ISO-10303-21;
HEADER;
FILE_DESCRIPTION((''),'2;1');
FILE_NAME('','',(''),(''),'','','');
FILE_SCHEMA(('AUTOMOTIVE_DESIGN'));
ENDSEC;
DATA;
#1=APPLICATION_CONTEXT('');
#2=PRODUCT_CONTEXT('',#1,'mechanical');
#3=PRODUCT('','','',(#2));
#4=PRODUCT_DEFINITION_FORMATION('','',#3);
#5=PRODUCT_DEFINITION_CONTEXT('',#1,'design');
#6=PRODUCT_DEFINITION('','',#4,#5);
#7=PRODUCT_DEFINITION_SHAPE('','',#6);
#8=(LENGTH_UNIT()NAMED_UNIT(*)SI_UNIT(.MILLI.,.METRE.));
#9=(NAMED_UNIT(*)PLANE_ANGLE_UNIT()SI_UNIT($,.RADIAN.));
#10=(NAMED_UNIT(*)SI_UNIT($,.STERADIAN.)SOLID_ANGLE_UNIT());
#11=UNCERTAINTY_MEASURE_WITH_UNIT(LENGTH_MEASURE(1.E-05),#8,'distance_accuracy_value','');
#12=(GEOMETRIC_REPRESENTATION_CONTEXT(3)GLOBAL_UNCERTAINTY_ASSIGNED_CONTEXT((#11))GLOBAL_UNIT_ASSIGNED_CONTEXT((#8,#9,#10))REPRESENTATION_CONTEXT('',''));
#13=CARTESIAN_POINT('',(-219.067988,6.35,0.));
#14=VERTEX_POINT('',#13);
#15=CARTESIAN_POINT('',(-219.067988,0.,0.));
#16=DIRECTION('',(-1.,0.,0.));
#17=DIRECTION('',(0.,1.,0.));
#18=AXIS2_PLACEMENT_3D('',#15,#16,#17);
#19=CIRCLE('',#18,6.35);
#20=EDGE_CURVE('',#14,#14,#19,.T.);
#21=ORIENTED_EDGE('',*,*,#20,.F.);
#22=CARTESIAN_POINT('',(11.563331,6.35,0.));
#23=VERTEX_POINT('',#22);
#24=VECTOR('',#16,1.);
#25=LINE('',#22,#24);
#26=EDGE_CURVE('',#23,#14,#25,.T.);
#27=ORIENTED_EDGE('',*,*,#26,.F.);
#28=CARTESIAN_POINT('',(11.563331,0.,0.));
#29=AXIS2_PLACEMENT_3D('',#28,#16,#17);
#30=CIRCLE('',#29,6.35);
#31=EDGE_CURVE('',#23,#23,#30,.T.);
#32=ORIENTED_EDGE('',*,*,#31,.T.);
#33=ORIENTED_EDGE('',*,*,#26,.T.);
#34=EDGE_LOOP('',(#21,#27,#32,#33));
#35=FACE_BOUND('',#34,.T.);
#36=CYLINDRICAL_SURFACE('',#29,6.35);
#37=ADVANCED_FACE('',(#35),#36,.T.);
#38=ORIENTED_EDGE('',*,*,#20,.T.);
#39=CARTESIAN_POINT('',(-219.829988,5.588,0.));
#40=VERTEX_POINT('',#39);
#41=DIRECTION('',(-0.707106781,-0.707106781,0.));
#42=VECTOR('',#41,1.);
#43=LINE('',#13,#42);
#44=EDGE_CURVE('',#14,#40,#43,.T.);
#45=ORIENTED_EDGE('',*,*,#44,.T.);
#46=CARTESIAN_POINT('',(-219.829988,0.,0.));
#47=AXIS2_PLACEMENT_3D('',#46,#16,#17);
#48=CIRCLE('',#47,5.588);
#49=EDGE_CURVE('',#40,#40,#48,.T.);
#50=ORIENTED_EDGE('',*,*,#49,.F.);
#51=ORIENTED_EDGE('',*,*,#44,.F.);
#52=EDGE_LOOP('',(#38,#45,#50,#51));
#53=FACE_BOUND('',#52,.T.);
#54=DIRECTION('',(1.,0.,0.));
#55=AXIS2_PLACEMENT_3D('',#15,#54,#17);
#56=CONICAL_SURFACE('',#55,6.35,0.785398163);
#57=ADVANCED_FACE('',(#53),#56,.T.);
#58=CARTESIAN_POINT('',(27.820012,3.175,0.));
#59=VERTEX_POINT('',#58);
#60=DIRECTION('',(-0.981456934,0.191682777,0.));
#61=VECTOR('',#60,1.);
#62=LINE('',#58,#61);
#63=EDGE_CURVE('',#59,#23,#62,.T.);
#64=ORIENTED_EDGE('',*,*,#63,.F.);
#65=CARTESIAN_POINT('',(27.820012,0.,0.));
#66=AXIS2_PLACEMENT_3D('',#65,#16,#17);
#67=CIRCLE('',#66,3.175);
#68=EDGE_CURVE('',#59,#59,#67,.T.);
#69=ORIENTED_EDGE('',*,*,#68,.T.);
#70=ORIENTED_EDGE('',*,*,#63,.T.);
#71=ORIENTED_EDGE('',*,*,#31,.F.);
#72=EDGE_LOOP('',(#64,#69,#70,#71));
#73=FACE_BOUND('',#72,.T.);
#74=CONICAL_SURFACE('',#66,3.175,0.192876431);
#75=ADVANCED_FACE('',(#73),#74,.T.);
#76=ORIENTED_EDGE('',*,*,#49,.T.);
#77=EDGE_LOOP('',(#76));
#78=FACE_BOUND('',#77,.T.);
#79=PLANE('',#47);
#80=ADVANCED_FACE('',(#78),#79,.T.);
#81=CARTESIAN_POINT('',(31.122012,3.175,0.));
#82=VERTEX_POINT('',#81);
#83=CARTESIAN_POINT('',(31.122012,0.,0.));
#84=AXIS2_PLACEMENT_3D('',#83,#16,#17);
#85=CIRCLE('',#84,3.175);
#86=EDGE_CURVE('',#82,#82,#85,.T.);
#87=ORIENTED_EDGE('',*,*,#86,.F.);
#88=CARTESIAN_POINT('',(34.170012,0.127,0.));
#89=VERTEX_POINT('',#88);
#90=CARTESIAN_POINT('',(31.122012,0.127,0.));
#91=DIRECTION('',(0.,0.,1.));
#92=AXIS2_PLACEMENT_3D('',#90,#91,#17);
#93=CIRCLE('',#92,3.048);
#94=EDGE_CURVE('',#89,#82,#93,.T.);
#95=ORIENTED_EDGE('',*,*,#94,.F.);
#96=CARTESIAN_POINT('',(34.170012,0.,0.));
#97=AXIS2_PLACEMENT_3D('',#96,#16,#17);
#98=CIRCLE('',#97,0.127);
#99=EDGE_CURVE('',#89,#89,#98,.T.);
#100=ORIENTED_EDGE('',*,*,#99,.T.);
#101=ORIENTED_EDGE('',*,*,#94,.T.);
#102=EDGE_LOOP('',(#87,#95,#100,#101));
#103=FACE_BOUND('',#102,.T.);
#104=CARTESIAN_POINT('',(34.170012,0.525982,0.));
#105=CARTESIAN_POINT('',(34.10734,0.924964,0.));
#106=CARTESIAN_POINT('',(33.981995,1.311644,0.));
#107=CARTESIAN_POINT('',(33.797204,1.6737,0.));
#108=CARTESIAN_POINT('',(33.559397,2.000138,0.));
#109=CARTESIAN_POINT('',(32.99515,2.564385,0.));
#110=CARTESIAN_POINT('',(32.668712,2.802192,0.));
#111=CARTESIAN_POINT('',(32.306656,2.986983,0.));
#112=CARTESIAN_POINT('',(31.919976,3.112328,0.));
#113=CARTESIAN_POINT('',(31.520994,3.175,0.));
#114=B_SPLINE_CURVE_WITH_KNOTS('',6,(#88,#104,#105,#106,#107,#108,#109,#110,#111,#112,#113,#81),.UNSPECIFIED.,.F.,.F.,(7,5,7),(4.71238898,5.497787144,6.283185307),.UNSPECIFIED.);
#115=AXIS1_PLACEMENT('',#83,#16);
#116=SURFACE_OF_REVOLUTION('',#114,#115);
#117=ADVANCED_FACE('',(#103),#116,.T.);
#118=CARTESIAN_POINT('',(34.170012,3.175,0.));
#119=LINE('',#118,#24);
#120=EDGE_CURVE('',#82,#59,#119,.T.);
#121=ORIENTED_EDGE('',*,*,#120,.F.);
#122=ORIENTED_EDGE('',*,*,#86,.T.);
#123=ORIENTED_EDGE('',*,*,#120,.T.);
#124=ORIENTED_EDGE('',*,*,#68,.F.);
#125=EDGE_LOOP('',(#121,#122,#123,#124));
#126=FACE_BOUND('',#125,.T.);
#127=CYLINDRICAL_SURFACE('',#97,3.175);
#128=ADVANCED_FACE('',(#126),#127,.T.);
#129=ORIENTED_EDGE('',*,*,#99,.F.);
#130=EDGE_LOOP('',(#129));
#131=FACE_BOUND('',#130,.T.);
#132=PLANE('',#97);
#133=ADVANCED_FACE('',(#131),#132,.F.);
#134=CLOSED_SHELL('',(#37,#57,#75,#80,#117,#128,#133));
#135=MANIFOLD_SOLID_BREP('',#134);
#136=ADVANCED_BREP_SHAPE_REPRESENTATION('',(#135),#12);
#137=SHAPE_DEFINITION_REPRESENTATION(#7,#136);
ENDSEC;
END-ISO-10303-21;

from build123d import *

# Parameters (mm, degrees)
F2_R    = 3.048
F3_SIZE = 0.762


with BuildPart() as f1:
    # F0 (on Top) → F1 (revolve)
    with BuildSketch(Plane.XY):
        Polygon((-219.829988, 6.35), (-219.829988, 0), (34.170012, 0), (34.170012, 3.175), (27.820012, 3.175), (11.563331, 6.35), align=None)
    revolve(axis=Axis((-92.829988, 0, 0), (-1, 0, 0)))

    # F2
    f2_edges = [f1.edges().sort_by_distance(p)[0] for p in [
        (34.170012, -3.175, 0),
    ]]
    fillet(f2_edges, radius=F2_R)

    # F3
    f3_edges = [f1.edges().sort_by_distance(p)[0] for p in [
        (-219.829988, -6.35, 0),
    ]]
    chamfer(f3_edges, length=F3_SIZE)


solid = f1.part
